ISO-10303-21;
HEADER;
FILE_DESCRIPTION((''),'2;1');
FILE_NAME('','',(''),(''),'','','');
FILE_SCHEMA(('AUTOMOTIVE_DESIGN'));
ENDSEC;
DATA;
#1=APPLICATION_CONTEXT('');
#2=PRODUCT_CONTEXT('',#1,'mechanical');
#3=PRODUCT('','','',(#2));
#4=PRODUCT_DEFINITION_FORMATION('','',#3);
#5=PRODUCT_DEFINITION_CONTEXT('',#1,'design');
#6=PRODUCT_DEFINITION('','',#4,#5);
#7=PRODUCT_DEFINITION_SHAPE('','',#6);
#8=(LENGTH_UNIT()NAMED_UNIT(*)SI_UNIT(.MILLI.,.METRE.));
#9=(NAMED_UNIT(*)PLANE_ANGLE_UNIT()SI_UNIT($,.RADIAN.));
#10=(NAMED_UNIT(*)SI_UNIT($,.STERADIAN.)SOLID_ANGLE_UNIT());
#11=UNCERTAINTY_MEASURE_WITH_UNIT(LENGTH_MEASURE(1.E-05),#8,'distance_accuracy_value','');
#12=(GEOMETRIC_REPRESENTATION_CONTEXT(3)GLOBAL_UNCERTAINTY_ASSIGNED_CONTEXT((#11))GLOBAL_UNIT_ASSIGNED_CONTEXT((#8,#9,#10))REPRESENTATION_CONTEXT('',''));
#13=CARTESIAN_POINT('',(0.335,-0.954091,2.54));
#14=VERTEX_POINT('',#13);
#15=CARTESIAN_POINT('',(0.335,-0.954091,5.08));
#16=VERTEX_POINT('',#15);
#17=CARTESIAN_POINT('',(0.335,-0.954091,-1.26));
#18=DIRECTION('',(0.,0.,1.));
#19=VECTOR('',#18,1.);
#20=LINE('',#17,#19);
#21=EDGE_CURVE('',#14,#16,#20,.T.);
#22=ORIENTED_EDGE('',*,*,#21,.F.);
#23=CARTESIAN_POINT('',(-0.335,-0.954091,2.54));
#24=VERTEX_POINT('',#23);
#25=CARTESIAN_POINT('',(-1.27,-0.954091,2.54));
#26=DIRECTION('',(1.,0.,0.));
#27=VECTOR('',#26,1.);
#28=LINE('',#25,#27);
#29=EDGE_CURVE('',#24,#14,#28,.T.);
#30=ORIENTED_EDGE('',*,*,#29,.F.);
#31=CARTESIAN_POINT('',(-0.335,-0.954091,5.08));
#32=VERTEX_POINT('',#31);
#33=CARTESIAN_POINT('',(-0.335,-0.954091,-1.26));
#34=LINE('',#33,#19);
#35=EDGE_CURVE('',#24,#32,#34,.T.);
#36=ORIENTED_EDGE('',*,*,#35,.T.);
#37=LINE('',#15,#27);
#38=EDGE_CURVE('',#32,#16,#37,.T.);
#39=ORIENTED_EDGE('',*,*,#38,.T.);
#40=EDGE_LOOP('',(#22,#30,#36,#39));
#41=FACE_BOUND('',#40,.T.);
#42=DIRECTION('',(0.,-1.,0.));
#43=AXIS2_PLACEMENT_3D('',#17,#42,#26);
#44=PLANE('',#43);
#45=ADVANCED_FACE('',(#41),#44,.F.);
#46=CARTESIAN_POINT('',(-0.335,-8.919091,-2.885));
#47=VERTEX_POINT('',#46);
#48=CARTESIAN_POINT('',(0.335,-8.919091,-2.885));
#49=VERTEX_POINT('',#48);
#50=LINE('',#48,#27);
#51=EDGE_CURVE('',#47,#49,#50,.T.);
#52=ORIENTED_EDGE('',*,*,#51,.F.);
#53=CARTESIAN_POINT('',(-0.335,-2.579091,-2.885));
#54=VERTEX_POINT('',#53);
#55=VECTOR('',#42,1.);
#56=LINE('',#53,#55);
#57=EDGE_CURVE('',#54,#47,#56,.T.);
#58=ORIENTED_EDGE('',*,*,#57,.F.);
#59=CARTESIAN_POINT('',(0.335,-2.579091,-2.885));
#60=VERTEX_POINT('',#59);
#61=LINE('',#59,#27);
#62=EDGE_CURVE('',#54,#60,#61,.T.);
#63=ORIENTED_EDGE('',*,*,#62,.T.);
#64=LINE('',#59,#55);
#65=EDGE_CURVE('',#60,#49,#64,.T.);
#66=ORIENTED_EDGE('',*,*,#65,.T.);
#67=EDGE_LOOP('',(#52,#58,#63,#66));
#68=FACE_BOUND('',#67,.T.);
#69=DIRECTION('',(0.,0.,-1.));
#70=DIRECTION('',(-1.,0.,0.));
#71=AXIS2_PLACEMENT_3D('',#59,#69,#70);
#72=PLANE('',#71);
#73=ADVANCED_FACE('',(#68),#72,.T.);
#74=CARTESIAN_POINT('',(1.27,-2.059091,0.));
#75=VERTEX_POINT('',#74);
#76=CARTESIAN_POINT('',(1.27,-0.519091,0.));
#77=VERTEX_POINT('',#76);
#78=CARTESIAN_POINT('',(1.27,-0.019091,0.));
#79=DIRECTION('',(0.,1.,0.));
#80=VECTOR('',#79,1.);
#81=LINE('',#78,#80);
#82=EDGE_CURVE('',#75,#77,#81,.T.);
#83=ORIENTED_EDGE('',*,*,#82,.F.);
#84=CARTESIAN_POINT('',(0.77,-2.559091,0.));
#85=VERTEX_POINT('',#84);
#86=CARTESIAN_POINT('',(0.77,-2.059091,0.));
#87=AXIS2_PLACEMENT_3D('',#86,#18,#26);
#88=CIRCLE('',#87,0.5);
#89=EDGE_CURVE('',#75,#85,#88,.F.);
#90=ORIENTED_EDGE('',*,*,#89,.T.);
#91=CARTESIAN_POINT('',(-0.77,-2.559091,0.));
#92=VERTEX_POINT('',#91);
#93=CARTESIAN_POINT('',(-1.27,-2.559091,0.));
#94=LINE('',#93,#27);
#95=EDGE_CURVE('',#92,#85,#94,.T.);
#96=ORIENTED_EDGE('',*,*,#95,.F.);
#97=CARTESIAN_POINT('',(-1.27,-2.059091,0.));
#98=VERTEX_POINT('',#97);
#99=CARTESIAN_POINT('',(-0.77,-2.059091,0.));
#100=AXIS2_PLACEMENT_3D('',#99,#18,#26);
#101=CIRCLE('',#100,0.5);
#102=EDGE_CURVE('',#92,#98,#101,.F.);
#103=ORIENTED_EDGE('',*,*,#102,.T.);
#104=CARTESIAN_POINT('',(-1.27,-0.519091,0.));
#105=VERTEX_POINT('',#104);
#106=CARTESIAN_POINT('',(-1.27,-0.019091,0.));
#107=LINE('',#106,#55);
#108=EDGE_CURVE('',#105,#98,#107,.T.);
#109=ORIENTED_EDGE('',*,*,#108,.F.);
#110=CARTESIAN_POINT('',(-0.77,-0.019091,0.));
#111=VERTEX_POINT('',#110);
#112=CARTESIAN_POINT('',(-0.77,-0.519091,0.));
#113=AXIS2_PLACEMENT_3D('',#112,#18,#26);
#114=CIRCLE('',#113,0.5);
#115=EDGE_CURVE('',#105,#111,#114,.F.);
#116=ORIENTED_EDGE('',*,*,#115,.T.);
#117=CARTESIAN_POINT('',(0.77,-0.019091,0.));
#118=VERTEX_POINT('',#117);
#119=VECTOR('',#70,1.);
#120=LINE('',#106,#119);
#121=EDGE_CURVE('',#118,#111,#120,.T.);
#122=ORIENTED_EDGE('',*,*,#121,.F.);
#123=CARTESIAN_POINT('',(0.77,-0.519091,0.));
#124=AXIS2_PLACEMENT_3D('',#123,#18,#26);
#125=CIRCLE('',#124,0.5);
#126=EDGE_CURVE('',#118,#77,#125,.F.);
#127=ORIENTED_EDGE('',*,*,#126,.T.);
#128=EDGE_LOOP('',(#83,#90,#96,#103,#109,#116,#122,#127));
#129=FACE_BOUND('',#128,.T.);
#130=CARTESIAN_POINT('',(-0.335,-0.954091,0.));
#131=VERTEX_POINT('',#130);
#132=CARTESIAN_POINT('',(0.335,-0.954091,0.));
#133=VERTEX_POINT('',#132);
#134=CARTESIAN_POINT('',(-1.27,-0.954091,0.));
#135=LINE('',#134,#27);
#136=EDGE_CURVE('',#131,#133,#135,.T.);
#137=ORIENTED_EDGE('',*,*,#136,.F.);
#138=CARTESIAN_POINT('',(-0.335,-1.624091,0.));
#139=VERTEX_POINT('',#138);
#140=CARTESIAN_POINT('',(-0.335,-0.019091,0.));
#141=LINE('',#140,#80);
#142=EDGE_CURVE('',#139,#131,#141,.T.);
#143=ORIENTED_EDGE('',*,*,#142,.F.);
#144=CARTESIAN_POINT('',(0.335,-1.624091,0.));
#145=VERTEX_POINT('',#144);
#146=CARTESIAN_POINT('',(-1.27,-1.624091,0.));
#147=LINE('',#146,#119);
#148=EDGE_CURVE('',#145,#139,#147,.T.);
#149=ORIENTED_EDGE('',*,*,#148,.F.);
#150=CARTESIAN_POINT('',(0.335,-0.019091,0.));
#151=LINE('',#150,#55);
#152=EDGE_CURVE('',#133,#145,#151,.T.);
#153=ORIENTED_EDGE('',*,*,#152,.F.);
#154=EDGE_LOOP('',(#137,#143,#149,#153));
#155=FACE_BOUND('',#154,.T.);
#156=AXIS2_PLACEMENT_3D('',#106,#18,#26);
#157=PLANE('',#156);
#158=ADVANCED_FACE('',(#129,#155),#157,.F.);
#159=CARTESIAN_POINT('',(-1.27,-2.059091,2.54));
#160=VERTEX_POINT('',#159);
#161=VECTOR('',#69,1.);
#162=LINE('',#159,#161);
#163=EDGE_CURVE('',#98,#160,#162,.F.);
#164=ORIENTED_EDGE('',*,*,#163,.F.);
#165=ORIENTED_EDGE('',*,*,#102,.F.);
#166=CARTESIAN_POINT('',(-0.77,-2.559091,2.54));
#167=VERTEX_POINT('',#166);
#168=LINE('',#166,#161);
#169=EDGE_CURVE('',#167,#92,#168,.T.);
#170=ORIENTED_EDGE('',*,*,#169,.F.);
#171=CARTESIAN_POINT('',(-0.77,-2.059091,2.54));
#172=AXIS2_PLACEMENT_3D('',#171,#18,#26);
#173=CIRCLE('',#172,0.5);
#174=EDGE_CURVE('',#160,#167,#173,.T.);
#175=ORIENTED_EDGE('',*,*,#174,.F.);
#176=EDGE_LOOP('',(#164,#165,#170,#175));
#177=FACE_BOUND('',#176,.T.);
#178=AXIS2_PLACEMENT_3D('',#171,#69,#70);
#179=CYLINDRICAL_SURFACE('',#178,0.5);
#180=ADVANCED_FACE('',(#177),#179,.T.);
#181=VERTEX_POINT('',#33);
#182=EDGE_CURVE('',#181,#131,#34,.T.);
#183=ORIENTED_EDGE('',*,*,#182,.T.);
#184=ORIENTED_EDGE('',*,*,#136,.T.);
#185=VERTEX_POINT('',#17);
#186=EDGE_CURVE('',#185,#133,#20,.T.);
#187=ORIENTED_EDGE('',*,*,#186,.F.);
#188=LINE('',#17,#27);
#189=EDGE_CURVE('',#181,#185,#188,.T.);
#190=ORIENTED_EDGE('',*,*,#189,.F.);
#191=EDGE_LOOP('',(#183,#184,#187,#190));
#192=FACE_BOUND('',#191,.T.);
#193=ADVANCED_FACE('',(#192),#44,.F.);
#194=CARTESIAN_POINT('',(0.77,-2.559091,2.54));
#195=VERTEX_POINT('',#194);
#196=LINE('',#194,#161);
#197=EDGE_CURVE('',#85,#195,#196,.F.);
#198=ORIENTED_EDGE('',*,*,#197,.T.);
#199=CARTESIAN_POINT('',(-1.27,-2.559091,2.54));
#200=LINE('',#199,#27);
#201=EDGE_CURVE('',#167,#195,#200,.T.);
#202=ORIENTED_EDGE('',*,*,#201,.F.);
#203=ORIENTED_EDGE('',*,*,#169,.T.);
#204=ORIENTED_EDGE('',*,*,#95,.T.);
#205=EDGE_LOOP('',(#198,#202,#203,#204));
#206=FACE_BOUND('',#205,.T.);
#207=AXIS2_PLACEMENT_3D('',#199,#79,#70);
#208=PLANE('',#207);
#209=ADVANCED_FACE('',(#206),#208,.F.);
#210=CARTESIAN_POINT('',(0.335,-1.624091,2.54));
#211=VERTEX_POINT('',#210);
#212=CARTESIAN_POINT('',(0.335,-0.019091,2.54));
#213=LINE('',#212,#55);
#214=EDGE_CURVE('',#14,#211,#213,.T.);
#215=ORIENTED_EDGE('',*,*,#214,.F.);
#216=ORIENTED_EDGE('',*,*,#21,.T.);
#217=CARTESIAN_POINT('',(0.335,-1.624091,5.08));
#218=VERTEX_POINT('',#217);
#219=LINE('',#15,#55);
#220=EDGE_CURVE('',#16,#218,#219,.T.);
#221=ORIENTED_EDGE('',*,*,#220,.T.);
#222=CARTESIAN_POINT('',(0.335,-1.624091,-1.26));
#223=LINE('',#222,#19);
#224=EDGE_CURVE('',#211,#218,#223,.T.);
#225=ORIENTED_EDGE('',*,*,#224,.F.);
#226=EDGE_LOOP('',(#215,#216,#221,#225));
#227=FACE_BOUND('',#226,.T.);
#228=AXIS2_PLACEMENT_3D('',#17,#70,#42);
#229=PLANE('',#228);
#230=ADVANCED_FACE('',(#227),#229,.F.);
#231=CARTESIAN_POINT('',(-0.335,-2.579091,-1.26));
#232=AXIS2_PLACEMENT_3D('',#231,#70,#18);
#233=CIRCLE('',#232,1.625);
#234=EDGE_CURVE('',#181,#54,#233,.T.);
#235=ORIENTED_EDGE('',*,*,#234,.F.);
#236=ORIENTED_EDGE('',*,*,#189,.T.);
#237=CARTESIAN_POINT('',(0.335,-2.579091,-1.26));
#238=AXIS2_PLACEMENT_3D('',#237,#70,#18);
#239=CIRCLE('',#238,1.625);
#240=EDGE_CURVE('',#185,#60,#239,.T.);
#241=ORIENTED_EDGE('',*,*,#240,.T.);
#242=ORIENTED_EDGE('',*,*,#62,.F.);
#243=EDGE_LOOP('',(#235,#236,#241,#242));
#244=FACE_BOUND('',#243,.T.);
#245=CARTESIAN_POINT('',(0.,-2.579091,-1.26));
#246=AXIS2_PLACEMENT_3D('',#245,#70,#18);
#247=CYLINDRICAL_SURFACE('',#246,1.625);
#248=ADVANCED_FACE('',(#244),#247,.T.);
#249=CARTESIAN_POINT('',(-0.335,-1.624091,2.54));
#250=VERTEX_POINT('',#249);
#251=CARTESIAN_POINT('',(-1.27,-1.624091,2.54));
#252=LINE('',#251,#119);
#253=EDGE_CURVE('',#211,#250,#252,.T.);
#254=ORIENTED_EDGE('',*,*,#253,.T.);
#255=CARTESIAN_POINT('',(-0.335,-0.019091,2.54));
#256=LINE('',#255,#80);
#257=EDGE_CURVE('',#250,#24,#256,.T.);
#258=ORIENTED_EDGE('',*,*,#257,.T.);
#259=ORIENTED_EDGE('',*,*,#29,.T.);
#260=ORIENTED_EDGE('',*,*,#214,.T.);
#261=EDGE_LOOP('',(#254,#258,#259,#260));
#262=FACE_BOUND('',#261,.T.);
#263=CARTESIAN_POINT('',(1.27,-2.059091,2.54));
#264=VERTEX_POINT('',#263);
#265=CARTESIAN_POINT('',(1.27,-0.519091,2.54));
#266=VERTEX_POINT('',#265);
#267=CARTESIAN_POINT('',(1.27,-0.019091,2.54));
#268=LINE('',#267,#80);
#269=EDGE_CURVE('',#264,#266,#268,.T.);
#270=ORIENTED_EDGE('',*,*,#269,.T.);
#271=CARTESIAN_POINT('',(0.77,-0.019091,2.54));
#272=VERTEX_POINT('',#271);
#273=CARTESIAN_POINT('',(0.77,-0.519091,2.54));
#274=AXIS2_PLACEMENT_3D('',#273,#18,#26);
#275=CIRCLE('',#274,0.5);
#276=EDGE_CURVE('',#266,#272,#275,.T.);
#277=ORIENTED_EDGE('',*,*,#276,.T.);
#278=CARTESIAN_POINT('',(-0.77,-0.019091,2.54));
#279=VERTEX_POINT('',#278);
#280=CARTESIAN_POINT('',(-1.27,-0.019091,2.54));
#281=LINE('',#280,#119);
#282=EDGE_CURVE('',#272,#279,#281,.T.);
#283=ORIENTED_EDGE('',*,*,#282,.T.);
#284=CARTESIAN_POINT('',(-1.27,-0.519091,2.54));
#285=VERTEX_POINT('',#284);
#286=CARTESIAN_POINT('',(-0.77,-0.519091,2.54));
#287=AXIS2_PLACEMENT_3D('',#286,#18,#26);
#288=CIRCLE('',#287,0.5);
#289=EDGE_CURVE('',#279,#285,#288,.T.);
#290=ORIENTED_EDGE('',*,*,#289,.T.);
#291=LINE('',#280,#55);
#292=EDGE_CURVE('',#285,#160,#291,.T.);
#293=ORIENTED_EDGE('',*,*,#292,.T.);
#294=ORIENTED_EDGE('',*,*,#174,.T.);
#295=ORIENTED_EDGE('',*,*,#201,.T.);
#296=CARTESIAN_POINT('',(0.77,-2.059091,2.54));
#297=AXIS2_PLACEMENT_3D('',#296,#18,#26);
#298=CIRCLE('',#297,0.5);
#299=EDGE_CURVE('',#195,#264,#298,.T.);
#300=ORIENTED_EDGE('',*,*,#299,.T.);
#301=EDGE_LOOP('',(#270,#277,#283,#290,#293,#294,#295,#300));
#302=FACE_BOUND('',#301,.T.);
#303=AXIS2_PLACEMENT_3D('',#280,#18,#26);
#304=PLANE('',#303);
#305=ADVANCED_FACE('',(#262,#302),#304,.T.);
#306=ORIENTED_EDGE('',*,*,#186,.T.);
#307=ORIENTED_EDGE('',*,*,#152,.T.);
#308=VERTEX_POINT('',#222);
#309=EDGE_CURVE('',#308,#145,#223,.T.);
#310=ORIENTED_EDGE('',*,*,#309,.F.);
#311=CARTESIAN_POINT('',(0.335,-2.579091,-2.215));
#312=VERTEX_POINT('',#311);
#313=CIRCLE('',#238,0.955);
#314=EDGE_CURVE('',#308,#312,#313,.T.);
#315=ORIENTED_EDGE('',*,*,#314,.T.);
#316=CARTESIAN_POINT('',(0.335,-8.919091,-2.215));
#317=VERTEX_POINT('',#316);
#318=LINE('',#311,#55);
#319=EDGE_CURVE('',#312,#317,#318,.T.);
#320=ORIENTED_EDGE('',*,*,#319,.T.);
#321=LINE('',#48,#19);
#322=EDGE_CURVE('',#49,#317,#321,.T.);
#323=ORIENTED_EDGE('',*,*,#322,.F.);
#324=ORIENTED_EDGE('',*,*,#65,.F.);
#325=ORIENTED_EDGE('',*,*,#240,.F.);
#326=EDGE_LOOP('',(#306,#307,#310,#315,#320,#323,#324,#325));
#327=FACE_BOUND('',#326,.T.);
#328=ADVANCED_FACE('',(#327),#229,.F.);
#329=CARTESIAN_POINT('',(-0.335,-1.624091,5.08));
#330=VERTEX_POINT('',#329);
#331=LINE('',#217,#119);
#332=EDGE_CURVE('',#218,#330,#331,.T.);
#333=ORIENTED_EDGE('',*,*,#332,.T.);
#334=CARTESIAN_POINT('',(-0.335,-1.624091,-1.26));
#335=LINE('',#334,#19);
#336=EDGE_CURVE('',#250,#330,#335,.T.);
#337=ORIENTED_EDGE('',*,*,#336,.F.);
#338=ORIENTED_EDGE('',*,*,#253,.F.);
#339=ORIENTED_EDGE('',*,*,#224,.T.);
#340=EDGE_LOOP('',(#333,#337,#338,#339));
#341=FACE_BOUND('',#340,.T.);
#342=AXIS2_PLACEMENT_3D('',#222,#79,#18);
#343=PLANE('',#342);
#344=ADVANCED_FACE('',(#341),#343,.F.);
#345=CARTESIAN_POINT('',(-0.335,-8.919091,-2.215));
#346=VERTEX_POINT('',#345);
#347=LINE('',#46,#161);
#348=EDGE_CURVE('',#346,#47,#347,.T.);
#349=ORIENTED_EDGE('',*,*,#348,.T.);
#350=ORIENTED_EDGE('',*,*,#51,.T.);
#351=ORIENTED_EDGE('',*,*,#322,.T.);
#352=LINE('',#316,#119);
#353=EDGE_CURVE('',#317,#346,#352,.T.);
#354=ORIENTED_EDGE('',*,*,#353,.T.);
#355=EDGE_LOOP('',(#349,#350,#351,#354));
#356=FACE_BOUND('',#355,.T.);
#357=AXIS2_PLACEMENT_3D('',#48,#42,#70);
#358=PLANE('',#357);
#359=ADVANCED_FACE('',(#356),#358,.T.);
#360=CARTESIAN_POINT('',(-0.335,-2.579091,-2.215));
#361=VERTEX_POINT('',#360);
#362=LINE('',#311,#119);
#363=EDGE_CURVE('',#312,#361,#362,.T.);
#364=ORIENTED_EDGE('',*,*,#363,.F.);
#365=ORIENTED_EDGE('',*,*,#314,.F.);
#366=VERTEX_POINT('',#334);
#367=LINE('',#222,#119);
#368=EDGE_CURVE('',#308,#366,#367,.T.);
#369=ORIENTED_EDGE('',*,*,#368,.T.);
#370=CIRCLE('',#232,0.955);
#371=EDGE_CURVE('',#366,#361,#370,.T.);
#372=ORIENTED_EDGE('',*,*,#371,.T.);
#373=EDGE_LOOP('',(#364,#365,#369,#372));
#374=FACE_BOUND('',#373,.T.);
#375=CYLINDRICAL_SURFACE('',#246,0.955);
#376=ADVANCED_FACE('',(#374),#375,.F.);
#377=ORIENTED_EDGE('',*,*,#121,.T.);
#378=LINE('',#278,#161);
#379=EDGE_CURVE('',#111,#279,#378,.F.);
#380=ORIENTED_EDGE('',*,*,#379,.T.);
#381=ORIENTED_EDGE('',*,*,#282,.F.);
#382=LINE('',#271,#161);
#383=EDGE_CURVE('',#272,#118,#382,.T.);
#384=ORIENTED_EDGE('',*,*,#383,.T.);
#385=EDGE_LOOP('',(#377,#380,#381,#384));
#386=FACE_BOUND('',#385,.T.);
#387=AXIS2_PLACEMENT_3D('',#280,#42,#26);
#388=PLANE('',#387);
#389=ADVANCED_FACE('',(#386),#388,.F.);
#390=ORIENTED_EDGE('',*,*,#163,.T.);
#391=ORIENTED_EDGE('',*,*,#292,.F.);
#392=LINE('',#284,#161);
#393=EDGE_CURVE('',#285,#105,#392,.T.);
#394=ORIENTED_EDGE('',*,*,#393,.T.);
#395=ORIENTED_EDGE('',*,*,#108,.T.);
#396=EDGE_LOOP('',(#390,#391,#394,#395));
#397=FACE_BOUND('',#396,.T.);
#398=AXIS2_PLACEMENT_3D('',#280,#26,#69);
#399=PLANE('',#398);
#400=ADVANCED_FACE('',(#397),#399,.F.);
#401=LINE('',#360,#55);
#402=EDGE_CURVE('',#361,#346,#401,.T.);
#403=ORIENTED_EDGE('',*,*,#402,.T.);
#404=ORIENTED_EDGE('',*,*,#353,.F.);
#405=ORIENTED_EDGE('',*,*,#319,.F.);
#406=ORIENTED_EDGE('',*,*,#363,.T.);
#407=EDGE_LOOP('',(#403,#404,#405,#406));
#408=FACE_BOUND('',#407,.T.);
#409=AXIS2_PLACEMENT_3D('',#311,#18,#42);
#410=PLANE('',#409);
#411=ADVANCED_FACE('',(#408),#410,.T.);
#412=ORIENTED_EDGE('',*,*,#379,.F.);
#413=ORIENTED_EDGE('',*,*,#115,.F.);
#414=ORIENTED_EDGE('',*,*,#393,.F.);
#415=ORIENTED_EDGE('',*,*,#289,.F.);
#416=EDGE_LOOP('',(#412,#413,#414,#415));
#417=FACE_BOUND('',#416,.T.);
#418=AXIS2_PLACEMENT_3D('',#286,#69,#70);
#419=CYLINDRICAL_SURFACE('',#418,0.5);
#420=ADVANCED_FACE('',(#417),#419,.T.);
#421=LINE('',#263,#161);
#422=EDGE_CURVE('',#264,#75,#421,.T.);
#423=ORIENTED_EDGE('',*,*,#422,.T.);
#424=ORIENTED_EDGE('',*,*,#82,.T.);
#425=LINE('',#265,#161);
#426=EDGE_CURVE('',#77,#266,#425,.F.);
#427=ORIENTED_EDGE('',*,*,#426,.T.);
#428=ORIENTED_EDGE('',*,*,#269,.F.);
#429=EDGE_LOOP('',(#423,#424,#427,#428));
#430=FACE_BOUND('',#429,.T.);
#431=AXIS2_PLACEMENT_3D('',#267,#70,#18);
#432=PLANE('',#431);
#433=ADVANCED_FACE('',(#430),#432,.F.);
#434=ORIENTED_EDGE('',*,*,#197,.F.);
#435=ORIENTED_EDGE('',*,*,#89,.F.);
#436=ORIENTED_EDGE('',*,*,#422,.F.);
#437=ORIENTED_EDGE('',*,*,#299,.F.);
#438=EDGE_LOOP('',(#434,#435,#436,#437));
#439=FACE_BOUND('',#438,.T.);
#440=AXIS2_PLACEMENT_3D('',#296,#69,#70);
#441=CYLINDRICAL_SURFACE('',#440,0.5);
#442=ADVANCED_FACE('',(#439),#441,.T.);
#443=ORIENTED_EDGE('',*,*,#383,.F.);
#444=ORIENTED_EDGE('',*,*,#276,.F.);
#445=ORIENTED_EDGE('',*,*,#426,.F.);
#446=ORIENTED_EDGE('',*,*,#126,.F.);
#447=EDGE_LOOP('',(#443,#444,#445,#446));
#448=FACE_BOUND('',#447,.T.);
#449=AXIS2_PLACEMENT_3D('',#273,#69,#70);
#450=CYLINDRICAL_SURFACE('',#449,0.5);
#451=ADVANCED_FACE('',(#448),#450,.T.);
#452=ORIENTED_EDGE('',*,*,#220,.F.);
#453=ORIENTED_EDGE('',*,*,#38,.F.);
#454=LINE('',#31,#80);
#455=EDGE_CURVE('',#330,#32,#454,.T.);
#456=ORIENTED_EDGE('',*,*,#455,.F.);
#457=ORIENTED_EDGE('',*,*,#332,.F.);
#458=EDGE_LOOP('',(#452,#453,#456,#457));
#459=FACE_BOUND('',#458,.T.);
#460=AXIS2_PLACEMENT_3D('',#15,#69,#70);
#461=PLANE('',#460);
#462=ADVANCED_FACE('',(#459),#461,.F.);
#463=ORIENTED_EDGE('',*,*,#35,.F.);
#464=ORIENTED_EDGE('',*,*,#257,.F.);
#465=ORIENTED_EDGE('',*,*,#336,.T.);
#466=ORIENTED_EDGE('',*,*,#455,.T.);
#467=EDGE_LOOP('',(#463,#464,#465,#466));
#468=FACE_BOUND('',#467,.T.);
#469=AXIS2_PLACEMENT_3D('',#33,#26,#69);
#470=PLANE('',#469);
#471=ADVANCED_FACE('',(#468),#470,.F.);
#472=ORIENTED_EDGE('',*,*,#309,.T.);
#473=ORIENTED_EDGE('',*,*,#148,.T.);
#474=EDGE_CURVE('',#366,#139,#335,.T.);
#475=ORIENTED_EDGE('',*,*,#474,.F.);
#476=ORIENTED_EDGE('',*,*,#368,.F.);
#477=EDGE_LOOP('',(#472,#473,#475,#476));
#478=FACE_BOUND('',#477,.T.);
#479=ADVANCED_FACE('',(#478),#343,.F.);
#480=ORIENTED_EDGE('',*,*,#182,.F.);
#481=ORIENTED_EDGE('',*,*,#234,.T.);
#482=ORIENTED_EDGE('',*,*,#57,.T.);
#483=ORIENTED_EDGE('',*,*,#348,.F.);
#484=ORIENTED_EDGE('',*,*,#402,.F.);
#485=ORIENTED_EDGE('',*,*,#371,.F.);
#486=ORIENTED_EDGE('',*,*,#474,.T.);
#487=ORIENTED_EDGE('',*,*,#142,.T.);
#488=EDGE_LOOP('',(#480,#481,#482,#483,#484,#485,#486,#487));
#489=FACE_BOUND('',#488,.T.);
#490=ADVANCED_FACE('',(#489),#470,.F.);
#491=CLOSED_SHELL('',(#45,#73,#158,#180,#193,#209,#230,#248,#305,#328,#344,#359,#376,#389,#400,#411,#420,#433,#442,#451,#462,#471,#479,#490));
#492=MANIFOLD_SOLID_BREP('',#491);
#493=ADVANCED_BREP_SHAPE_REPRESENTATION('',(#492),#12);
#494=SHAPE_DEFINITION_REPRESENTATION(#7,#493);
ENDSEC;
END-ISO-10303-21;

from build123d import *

# Parameters (mm, degrees)
SKETCH_1_W      = 2.54
SKETCH_1_H      = 2.54
EXTRUDE_1_DEPTH = 2.54
SKETCH_2_W      = 0.67
SKETCH_2_H      = 0.67
FILLET_1_R      = 0.5


with BuildPart() as part:
    # 草图1 → 拉伸1 (new body)
    with BuildSketch(Plane.XY):
        with Locations((0, -1.289090726)):
            Rectangle(SKETCH_1_W, SKETCH_1_H)
    extrude(amount=EXTRUDE_1_DEPTH)

    # 扫描1: sweep along a path in 草图3
    with BuildLine(Plane(origin=(0, 0, 0), x_dir=(0, 0, -1), z_dir=(1, 0, 0))) as sweep_1_path:
        Line((-5.08, -1.299090726), (1.26, -1.299090726))
        ThreePointArc((1.26, -1.299090726), (2.16509668, -1.673994046), (2.54, -2.579090726))
        Line((2.54, -2.579090726), (2.54, -8.919090726))
    # 草图2 → 扫描1 (sweep)
    with BuildSketch(Plane(origin=(0, 0, 5.08), x_dir=(-1, 0, 0), z_dir=(0, 0, -1))):
        with Locations((0, -1.289090726)):
            Rectangle(SKETCH_2_W, SKETCH_2_H)
    sweep(path=sweep_1_path.line)

    # 圆角1
    fillet_1_edges = [part.edges().sort_by_distance(p)[0] for p in [
        (-1.27, -0.019090726, 1.27),
        (1.27, -0.019090726, 1.27),
        (1.27, -2.559090726, 1.27),
        (-1.27, -2.559090726, 1.27),
    ]]
    fillet(fillet_1_edges, radius=FILLET_1_R)


solid = part.part
